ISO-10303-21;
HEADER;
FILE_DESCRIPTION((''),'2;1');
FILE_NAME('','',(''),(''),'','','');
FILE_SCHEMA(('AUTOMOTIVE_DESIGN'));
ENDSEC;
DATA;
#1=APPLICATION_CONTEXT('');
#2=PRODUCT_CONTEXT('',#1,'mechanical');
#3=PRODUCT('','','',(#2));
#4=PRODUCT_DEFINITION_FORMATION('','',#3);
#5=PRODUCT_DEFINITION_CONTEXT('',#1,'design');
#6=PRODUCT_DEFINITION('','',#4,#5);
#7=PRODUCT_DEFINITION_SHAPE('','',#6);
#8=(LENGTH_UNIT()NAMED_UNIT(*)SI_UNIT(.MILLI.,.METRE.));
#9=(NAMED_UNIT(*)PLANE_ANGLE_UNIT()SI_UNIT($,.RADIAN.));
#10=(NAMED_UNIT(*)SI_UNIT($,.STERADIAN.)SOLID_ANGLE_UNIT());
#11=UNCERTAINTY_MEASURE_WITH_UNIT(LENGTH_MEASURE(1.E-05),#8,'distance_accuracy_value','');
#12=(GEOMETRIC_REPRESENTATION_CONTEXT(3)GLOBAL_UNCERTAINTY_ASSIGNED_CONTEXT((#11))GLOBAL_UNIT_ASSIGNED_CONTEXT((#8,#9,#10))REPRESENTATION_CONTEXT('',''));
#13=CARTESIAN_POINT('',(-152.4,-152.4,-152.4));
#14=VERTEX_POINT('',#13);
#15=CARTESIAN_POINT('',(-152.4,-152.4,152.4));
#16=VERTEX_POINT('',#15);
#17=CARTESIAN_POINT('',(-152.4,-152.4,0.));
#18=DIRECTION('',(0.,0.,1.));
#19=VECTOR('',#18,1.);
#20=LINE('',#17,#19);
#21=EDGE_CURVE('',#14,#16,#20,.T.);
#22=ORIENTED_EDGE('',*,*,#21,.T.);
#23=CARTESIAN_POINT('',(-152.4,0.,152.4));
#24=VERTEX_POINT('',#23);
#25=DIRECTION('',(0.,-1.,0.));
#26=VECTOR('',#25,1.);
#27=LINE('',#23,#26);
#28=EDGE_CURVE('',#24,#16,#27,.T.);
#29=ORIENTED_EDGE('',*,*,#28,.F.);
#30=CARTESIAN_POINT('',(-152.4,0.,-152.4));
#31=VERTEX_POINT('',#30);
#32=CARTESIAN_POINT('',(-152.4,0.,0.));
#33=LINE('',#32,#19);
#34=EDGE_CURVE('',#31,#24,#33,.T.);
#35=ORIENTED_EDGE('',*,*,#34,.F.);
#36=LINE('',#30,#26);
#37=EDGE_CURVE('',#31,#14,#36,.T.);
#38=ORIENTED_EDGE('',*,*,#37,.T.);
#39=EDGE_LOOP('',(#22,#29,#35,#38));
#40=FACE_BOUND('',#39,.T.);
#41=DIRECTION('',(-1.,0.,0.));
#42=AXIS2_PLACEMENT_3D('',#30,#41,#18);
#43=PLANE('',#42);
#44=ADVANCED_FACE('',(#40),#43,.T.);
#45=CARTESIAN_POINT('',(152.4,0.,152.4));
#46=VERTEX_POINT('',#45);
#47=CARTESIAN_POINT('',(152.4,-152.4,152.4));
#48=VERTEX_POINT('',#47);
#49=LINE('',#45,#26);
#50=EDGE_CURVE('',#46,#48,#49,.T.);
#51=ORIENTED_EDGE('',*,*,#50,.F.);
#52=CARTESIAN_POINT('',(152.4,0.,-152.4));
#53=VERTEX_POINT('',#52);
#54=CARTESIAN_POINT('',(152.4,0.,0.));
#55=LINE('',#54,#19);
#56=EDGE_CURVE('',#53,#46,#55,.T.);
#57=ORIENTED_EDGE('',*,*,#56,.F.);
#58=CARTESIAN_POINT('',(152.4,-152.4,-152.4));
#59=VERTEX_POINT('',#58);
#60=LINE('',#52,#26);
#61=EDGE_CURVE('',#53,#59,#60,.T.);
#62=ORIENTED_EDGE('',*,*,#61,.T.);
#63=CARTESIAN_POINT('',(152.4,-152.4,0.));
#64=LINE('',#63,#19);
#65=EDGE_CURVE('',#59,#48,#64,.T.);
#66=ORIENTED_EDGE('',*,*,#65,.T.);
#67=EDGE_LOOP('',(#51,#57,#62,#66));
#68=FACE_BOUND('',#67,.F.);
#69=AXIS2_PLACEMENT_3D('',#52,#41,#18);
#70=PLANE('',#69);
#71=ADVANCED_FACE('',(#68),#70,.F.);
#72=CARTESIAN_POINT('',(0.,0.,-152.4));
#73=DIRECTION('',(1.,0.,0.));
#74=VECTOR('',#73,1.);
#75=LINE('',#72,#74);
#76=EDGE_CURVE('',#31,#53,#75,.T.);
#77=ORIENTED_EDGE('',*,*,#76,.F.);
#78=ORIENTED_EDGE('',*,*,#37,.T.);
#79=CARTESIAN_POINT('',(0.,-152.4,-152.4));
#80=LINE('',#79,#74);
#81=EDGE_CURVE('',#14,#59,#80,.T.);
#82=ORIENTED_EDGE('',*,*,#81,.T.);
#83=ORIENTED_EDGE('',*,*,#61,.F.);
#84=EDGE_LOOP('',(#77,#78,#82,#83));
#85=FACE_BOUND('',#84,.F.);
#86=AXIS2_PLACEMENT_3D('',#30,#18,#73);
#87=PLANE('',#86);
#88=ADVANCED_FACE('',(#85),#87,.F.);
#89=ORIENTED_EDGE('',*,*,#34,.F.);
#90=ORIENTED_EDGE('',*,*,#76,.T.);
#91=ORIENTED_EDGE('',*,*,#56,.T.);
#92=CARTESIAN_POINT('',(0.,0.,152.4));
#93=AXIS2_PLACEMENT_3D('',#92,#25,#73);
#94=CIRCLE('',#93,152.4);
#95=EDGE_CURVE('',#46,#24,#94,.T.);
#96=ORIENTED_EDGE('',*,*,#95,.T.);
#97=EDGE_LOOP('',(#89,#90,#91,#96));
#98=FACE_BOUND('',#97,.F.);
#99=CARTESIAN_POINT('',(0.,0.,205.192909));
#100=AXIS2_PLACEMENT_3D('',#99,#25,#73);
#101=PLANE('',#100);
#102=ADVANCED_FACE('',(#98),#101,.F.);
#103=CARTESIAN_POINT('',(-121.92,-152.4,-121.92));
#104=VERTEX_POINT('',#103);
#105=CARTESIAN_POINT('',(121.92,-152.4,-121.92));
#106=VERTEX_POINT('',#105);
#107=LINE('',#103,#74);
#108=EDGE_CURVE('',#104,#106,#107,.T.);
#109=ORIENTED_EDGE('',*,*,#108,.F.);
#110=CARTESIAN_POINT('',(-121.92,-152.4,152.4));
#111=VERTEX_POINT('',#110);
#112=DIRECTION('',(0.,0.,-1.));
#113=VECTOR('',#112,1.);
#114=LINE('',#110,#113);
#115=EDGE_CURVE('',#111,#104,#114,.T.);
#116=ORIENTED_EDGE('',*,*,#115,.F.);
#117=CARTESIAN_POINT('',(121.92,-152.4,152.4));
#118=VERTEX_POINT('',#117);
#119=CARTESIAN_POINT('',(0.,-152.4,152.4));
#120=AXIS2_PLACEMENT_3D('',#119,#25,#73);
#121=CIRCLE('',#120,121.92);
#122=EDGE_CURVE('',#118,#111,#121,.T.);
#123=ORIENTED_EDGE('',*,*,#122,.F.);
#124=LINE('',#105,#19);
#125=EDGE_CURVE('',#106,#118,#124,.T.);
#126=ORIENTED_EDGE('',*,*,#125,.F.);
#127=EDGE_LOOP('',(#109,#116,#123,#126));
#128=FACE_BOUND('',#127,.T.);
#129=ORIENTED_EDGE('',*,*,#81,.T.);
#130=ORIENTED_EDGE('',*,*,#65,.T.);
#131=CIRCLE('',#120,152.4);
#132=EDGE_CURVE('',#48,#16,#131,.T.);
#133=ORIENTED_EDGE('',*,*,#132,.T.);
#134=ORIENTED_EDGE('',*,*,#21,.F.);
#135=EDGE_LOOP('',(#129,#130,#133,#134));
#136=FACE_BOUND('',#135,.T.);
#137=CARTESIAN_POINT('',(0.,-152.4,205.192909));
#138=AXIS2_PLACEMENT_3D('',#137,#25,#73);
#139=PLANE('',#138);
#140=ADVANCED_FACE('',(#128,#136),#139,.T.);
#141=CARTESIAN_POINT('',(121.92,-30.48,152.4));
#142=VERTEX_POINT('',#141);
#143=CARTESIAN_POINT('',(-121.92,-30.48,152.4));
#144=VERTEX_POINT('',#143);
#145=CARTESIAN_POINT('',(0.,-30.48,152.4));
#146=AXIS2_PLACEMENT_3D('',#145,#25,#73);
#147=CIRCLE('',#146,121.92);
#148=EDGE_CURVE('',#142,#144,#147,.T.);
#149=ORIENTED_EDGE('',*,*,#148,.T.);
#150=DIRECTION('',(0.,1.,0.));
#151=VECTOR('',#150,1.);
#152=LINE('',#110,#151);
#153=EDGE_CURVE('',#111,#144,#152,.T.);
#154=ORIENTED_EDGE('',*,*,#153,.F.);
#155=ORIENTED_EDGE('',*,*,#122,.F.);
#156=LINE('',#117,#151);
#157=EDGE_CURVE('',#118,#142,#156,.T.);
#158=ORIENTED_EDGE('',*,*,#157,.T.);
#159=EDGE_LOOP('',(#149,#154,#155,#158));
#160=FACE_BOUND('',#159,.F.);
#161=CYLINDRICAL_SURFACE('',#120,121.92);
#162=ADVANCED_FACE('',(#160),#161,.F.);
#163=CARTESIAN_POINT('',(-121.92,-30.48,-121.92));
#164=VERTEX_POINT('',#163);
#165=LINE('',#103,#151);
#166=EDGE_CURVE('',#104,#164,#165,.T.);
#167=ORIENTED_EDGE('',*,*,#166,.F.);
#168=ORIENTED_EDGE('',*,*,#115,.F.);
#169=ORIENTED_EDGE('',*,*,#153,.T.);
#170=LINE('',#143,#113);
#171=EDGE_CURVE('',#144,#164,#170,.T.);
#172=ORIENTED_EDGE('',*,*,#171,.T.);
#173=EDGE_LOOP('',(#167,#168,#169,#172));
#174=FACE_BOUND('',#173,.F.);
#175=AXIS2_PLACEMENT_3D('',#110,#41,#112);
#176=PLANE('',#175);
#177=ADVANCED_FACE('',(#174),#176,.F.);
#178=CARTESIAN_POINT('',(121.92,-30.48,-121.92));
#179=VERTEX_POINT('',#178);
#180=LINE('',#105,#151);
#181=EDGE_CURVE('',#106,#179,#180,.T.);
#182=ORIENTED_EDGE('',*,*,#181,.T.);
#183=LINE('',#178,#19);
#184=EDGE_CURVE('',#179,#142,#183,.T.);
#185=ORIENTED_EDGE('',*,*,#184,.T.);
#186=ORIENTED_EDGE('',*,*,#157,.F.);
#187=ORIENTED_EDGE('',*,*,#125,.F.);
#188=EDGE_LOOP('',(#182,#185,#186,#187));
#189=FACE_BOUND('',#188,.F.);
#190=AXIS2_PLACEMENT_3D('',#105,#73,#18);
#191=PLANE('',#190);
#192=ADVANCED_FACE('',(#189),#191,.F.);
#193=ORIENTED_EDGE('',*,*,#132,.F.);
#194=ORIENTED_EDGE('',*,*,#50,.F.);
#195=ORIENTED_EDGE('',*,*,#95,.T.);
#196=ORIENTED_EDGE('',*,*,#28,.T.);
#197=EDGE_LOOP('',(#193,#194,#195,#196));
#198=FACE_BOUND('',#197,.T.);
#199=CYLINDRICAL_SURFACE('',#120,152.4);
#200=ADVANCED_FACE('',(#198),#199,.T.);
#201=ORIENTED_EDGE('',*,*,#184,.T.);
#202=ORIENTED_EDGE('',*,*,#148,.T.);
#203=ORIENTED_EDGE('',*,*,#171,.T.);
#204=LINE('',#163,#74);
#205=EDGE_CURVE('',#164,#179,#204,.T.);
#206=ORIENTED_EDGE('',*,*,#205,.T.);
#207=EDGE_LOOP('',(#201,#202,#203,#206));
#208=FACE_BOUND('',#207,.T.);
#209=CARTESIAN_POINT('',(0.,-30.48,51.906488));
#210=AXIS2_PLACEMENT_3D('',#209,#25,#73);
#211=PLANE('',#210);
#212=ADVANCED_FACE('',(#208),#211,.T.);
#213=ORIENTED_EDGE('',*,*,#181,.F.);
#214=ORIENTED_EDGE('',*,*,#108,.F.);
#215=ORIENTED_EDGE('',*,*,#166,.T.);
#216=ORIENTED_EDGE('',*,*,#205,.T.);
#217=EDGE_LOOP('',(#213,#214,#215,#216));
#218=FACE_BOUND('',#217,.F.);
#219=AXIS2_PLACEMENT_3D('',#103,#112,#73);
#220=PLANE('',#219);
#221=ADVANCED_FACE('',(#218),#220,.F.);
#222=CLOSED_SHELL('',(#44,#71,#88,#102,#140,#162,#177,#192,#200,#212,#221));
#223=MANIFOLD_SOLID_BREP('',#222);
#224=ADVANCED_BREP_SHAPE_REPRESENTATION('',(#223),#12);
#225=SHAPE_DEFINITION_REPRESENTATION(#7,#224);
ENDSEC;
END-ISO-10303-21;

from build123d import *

# Parameters (mm, degrees)
F0_W     = 304.8
F0_H     = 304.8
F1_DEPTH = 152.4
F3_DEPTH = 152.4
F5_DEPTH = 121.92


with BuildPart() as f1:
    # F0 (on Front) → F1 (new body)
    with BuildSketch(Plane.XZ):
        Rectangle(F0_W, F0_H)
    extrude(amount=F1_DEPTH)

    # F2 (on face) → F3 (join)
    with BuildSketch(Plane.XZ.offset(152.4)):
        with BuildLine():
            Line((-152.4, 152.4), (152.4, 152.4))
            ThreePointArc((152.4, 152.4), (0, 304.8), (-152.4, 152.4))
        make_face()
    extrude(amount=-F3_DEPTH)

    # F4 (on face) → F5 (cut)
    with BuildSketch(Plane.XZ.offset(152.4)):
        with BuildLine():
            Line((-121.92, 152.4), (-121.92, -121.92))
            Line((-121.92, -121.92), (121.92, -121.92))
            Line((121.92, -121.92), (121.92, 152.4))
            ThreePointArc((121.92, 152.4), (0, 274.32), (-121.92, 152.4))
        make_face()
    extrude(amount=-F5_DEPTH, mode=Mode.SUBTRACT)


solid = f1.part
